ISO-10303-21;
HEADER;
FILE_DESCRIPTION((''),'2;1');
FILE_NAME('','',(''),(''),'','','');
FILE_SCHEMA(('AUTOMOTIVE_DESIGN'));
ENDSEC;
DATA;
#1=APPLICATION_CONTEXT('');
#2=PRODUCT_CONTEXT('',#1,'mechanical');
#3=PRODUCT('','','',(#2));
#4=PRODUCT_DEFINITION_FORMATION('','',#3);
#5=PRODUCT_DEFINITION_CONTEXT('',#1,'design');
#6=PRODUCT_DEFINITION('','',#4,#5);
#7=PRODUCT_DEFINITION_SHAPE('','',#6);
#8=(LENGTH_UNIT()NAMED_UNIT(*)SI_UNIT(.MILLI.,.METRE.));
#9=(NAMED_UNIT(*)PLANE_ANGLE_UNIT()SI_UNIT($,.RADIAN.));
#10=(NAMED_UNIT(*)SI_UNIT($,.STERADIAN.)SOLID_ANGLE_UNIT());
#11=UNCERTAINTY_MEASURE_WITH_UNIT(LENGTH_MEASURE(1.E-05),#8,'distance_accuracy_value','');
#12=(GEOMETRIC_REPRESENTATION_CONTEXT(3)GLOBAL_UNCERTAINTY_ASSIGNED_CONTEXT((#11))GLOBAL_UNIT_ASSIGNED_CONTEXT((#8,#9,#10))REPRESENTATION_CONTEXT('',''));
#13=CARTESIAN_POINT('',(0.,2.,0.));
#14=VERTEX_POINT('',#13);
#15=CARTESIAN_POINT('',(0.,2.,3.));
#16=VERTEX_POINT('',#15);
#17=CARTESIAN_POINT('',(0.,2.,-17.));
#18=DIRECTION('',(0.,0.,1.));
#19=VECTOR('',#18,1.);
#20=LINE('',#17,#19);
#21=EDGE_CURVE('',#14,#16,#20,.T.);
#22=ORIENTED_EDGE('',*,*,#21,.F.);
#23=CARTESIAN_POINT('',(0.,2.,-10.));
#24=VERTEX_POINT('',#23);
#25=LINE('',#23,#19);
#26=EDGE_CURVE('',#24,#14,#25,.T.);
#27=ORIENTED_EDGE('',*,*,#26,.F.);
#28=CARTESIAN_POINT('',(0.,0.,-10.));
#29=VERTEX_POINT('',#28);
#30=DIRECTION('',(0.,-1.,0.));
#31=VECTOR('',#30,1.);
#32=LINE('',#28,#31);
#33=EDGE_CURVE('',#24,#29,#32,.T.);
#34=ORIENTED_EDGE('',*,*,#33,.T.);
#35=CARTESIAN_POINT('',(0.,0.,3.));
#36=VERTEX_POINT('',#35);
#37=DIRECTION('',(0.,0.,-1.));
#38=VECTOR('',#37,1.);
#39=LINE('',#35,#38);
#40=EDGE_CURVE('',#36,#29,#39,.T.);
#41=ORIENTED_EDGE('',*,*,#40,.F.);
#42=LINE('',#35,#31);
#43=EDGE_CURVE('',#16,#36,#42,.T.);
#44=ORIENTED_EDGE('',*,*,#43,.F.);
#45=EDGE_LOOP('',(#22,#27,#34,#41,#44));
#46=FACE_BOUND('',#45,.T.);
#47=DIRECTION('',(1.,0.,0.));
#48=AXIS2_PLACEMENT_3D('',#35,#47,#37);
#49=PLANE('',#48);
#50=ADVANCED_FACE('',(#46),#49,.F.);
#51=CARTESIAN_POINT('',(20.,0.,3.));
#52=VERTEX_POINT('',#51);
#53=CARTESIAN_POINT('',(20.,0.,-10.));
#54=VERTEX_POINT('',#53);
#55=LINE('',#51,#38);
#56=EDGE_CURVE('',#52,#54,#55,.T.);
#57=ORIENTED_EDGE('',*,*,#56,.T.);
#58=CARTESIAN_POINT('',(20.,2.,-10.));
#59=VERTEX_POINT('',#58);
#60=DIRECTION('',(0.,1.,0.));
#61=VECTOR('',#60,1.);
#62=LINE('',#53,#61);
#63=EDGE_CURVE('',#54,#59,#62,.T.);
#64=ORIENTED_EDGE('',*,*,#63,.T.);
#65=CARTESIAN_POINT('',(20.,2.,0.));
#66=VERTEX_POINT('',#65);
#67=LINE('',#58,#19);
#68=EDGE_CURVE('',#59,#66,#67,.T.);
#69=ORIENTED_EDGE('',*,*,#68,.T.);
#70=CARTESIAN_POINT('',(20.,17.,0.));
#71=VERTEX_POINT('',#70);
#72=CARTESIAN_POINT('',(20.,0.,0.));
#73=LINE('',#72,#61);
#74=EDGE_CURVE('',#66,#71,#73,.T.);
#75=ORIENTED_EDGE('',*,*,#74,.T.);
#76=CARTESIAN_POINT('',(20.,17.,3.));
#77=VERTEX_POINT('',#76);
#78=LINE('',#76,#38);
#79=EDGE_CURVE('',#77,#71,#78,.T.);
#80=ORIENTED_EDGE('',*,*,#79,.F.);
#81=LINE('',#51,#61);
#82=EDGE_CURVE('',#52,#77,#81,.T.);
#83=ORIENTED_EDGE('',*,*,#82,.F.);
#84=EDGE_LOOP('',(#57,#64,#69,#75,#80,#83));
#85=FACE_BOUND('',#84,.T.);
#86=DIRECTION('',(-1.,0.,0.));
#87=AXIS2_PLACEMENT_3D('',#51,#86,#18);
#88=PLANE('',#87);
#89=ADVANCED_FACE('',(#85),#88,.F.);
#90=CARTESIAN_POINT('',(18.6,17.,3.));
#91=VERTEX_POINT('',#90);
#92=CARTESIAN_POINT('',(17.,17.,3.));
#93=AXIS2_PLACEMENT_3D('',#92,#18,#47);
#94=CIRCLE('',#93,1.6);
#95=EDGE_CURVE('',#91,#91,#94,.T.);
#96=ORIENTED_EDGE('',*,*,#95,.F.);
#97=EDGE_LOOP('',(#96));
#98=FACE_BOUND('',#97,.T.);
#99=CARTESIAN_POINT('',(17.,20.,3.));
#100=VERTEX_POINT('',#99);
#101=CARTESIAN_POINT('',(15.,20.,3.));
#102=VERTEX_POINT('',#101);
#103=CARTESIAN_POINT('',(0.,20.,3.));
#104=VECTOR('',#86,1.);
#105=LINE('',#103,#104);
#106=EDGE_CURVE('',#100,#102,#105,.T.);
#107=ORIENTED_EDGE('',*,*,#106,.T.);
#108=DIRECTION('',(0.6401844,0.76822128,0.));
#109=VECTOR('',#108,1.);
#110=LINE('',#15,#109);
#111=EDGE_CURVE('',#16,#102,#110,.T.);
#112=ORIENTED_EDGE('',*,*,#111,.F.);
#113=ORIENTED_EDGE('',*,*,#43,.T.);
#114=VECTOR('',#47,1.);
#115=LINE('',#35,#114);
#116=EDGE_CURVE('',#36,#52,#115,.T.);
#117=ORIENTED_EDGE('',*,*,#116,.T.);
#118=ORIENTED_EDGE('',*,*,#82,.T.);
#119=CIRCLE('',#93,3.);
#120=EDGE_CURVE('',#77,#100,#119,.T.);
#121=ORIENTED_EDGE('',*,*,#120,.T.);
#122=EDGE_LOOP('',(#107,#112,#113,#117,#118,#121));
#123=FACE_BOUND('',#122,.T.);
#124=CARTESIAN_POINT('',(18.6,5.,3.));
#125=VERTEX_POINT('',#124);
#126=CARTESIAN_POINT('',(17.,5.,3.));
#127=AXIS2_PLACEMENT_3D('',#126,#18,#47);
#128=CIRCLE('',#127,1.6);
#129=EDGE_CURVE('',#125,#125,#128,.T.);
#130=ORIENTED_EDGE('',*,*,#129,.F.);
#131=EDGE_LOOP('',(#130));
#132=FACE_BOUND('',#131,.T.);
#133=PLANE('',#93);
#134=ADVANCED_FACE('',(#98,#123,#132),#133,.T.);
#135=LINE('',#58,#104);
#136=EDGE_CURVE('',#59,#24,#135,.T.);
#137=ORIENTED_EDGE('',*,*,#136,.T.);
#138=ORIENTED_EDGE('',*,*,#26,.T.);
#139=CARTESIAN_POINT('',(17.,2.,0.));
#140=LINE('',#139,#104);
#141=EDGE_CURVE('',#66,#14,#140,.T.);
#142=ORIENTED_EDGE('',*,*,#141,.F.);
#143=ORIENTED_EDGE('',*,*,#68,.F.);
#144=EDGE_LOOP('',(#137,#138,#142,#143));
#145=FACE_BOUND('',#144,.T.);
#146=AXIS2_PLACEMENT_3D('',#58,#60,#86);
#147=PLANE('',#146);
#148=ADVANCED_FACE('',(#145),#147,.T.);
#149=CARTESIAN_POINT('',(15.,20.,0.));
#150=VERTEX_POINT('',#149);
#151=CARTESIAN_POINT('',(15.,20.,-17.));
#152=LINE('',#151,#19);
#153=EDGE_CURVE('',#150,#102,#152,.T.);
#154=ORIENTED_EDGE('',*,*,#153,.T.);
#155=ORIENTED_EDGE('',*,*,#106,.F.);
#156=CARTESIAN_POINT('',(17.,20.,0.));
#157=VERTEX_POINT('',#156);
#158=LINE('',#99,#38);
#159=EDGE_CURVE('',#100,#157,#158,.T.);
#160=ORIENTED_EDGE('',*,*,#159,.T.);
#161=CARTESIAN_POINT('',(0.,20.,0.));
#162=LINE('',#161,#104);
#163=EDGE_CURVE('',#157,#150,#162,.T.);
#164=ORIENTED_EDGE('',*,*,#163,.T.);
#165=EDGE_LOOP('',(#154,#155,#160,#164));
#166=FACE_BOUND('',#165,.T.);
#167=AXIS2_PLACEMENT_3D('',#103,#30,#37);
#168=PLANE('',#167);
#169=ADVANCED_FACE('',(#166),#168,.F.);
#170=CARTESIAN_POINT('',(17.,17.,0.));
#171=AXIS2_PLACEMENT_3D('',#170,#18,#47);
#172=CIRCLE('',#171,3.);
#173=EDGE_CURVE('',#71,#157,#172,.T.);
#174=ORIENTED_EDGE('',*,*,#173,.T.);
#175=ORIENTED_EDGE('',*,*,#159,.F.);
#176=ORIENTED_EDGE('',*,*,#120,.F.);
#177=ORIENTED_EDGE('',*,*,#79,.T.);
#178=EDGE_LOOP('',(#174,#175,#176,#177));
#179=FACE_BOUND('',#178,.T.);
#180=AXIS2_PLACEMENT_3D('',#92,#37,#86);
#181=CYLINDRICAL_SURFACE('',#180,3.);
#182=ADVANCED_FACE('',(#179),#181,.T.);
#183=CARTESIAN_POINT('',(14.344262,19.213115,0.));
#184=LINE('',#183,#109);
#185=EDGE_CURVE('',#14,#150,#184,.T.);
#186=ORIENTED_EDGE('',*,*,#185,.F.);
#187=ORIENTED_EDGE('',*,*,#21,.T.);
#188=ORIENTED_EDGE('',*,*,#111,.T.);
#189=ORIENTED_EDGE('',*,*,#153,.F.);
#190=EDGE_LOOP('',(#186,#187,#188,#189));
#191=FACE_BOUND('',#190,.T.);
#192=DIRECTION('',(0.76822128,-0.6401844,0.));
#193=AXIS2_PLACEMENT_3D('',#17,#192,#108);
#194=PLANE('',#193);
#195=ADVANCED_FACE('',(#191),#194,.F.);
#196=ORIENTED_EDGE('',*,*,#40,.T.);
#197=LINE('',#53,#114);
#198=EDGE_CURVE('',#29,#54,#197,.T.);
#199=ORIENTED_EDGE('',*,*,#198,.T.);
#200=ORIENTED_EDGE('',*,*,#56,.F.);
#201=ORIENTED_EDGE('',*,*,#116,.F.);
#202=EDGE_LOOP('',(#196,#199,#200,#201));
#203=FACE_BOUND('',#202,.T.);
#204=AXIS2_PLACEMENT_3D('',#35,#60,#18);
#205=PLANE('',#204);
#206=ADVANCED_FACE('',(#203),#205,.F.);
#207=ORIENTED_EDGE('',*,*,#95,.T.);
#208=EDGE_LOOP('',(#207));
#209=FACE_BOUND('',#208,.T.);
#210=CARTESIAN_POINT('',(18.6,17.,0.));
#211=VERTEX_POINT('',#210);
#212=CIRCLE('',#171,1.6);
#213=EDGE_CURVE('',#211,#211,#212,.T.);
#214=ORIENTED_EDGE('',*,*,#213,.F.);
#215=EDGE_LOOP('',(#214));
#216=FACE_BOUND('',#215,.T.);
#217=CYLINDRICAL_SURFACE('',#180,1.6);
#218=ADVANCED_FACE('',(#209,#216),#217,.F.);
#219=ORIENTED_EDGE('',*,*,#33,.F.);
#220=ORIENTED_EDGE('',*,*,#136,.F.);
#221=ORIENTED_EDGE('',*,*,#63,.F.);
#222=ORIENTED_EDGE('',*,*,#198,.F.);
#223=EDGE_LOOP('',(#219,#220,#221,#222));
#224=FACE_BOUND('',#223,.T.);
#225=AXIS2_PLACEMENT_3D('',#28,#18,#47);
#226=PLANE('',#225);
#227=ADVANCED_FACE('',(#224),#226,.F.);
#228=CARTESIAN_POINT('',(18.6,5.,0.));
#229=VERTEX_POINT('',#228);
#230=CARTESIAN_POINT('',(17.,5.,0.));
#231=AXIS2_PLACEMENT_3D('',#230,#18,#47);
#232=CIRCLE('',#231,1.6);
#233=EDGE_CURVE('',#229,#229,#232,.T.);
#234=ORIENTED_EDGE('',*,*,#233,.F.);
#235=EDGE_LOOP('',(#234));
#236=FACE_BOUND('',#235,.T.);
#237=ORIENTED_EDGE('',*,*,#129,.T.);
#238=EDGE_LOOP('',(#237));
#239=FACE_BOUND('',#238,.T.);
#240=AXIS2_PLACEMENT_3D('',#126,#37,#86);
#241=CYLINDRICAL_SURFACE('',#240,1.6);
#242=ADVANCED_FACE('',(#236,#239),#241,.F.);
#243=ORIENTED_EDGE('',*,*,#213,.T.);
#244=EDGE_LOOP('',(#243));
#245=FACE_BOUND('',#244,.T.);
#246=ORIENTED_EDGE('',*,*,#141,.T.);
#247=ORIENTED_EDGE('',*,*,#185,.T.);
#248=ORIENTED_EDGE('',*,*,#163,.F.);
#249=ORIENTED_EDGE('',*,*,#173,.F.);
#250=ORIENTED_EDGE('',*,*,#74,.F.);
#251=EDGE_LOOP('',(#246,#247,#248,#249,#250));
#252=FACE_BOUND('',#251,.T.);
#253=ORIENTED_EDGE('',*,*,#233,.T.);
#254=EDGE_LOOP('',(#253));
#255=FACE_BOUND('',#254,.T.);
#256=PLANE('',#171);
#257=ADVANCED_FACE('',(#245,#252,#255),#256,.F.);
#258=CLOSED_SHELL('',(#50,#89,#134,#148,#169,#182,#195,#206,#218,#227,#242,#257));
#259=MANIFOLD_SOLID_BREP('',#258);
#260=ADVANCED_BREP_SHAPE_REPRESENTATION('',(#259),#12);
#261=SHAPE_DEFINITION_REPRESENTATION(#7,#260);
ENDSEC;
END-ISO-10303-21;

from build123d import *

# Parameters (mm, degrees)
SKETCH_1_R          = 1.6
EXTRUDE_1_DEPTH     = 3
SKETCH_2_W          = 20
SKETCH_2_H          = 2
EXTRUDE_2_DEPTH     = 13
CUT_EXTRUDE_1_DEPTH = 20


with BuildPart() as part:
    # 草图1 → 凸台-拉伸1 (new body)
    with BuildSketch(Plane.XY):
        with BuildLine():
            Line((0, 0), (20, 0))
            Line((20, 0), (20, 17))
            ThreePointArc((20, 17), (19.121320344, 19.121320344), (17, 20))
            Line((17, 20), (0, 20))
            Line((0, 20), (0, 0))
        make_face()
        with Locations((17, 17)):
            Circle(SKETCH_1_R, mode=Mode.SUBTRACT)
        with Locations((17, 5)):
            Circle(SKETCH_1_R, mode=Mode.SUBTRACT)
    extrude(amount=EXTRUDE_1_DEPTH)

    # 草图2 → 凸台-拉伸2 (add)
    with BuildSketch(Plane.XY.offset(3)):
        with Locations((10, 1)):
            Rectangle(SKETCH_2_W, SKETCH_2_H)
    extrude(amount=-EXTRUDE_2_DEPTH)

    # 草图3 → 切除-拉伸1 (cut)
    with BuildSketch(Plane.XY.offset(3)):
        Polygon((0, 2), (15, 20), (0, 20), align=None)
    extrude(amount=-CUT_EXTRUDE_1_DEPTH, mode=Mode.SUBTRACT)


solid = part.part
